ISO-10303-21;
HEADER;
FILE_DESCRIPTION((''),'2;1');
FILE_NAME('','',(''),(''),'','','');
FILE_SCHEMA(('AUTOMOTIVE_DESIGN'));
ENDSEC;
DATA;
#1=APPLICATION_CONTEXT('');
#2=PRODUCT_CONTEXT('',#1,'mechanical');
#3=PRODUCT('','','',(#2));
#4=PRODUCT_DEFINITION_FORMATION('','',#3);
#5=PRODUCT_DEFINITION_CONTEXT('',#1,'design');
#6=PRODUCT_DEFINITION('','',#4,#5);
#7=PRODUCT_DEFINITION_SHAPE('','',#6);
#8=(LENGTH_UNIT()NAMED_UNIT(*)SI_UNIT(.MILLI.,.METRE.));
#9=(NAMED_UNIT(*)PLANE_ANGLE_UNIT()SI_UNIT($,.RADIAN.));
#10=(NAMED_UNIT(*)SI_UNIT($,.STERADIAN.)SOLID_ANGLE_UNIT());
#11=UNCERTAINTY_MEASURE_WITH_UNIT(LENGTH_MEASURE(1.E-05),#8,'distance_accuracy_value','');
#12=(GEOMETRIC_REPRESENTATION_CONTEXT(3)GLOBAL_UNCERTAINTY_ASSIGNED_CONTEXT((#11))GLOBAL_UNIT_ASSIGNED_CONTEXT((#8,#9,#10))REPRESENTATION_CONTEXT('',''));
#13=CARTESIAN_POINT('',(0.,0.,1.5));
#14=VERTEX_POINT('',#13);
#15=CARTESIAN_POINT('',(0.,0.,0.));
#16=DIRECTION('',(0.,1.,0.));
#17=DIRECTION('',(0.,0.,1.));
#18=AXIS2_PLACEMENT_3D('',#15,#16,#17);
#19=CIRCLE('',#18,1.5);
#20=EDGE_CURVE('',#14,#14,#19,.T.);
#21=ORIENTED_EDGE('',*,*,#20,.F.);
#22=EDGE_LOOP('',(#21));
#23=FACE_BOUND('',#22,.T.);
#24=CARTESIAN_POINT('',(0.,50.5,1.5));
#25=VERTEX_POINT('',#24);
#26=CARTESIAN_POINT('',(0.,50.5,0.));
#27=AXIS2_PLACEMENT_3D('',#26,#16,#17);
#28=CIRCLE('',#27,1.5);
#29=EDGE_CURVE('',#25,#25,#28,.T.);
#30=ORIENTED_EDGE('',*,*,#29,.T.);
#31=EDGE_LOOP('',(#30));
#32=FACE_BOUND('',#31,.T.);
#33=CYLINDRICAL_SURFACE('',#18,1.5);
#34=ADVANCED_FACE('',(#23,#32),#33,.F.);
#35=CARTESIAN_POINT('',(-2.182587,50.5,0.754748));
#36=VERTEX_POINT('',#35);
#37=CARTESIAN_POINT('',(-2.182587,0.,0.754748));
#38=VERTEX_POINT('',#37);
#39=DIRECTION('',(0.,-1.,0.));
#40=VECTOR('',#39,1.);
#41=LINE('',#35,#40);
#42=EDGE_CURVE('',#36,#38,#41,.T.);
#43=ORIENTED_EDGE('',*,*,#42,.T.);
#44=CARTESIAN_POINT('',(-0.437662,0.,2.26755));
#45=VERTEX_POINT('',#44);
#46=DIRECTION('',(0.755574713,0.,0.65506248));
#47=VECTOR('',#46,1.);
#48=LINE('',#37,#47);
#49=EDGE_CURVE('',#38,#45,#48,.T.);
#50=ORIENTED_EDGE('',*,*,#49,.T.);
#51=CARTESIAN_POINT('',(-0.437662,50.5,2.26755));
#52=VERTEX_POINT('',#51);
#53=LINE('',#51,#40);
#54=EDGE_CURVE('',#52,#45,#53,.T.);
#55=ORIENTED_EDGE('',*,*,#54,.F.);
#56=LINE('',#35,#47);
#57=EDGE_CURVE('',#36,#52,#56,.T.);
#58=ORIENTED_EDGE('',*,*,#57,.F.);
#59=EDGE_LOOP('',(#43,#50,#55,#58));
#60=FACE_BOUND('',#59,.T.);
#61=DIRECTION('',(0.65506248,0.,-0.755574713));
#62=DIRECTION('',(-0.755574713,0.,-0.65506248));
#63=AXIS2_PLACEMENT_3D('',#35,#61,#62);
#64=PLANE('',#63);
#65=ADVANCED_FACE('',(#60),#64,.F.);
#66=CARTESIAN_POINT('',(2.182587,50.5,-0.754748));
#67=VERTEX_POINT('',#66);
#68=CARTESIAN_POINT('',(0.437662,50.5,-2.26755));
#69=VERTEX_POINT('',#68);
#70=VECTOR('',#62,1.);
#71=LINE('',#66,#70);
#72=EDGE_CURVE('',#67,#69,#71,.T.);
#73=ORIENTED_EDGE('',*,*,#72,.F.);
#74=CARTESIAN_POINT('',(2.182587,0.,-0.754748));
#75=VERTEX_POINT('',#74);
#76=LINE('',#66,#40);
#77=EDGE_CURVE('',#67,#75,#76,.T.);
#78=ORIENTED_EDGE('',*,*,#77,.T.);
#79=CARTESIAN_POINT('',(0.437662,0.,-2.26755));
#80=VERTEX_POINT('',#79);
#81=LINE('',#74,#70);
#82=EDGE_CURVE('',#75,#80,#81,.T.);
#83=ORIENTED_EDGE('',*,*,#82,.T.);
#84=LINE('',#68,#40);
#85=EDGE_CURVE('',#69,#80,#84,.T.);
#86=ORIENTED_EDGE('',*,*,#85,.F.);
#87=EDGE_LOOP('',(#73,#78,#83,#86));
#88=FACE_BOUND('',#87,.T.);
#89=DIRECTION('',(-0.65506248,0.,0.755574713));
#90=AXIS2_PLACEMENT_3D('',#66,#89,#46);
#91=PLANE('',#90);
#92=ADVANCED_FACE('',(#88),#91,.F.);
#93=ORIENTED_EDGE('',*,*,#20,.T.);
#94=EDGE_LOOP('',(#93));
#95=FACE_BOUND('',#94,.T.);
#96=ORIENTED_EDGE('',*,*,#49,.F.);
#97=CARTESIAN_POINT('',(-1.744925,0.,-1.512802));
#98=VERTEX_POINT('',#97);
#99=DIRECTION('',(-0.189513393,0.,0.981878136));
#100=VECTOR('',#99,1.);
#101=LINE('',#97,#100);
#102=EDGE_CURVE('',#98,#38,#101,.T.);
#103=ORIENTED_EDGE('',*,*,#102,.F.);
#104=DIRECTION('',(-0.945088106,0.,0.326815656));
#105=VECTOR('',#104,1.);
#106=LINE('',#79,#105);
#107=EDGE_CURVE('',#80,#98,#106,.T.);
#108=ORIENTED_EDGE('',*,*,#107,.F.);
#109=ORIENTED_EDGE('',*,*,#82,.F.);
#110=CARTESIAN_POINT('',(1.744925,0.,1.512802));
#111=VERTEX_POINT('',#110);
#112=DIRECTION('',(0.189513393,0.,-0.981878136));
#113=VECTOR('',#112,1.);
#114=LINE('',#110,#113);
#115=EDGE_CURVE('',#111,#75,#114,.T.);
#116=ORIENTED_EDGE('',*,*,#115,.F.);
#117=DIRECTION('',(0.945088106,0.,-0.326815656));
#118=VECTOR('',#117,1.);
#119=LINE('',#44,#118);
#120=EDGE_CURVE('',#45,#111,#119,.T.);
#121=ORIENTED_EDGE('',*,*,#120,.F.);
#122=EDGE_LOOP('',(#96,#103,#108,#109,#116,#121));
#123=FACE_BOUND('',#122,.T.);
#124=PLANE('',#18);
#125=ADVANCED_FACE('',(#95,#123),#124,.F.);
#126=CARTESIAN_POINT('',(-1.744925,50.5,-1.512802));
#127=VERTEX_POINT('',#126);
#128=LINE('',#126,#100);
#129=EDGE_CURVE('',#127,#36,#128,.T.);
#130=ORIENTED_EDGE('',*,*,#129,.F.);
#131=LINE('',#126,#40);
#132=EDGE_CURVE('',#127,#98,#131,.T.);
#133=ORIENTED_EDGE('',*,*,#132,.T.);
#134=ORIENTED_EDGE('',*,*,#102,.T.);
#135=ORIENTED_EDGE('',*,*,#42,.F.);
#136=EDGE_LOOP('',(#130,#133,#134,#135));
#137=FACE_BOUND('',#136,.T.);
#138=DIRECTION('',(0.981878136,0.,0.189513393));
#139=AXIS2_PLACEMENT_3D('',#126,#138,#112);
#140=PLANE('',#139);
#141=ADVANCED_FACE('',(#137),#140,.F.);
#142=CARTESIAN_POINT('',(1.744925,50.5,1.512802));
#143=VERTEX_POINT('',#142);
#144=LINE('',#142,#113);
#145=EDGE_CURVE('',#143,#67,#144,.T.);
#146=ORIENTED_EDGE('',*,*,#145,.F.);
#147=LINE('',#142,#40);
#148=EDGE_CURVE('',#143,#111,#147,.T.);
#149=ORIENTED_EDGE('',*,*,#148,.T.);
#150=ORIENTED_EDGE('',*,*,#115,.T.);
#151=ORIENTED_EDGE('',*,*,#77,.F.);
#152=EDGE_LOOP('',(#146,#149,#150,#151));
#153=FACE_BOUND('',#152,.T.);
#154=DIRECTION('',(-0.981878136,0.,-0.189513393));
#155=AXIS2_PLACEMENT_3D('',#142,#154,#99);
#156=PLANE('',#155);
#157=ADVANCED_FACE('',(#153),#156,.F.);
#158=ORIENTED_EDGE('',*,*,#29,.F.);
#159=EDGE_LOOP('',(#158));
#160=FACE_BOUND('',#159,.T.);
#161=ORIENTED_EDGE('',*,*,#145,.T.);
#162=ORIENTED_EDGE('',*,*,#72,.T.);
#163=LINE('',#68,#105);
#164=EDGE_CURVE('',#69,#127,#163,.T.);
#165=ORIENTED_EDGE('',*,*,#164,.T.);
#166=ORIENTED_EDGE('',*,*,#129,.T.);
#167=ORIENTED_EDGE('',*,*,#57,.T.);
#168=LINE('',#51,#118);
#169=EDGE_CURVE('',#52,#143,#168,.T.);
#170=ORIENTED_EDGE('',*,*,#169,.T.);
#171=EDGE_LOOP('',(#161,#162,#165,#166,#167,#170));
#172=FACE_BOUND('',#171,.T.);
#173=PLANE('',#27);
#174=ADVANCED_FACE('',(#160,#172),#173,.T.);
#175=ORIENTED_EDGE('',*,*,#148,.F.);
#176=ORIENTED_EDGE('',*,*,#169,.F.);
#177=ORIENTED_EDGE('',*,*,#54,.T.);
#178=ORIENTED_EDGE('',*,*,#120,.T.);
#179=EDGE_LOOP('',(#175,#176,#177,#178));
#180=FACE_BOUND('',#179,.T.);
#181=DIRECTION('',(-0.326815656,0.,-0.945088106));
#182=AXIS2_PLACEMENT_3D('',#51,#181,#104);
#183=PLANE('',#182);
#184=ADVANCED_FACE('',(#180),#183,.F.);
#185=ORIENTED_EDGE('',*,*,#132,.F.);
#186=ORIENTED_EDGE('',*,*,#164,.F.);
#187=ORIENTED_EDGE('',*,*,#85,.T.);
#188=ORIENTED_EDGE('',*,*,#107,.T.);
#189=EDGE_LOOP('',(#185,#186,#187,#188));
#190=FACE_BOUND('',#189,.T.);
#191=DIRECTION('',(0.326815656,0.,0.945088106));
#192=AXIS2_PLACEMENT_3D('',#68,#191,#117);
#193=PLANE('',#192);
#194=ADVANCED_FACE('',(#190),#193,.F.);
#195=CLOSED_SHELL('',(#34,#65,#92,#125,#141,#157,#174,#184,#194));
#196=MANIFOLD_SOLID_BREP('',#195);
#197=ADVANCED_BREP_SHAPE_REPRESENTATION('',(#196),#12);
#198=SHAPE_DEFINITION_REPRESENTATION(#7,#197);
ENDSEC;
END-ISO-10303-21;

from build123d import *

# Parameters (mm, degrees)
BOSS_EXTRUDE1_DEPTH = 50.5
SKETCH2_R           = 1.5
CUT_EXTRUDE1_DEPTH  = 51.5


with BuildPart() as part:
    # Sketch1 → Boss-Extrude1 (new body)
    with BuildSketch(Plane(origin=(0, 0, 0), x_dir=(1, 0, 0), z_dir=(0, 1, 0))):
        Polygon((1.744925055, -1.512801998), (2.182587489, 0.754748427), (0.437662433, 2.267550425), (-1.744925055, 1.512801998), (-2.182587489, -0.754748427), (-0.437662433, -2.267550425), align=None)
    extrude(amount=BOSS_EXTRUDE1_DEPTH)

    # Sketch2 → Cut-Extrude1 (cut, through all)
    with BuildSketch(Plane(origin=(0, 50.5, 0), x_dir=(1, 0, 0), z_dir=(0, 1, 0))):
        Circle(SKETCH2_R)
    extrude(amount=-CUT_EXTRUDE1_DEPTH, mode=Mode.SUBTRACT)


solid = part.part
